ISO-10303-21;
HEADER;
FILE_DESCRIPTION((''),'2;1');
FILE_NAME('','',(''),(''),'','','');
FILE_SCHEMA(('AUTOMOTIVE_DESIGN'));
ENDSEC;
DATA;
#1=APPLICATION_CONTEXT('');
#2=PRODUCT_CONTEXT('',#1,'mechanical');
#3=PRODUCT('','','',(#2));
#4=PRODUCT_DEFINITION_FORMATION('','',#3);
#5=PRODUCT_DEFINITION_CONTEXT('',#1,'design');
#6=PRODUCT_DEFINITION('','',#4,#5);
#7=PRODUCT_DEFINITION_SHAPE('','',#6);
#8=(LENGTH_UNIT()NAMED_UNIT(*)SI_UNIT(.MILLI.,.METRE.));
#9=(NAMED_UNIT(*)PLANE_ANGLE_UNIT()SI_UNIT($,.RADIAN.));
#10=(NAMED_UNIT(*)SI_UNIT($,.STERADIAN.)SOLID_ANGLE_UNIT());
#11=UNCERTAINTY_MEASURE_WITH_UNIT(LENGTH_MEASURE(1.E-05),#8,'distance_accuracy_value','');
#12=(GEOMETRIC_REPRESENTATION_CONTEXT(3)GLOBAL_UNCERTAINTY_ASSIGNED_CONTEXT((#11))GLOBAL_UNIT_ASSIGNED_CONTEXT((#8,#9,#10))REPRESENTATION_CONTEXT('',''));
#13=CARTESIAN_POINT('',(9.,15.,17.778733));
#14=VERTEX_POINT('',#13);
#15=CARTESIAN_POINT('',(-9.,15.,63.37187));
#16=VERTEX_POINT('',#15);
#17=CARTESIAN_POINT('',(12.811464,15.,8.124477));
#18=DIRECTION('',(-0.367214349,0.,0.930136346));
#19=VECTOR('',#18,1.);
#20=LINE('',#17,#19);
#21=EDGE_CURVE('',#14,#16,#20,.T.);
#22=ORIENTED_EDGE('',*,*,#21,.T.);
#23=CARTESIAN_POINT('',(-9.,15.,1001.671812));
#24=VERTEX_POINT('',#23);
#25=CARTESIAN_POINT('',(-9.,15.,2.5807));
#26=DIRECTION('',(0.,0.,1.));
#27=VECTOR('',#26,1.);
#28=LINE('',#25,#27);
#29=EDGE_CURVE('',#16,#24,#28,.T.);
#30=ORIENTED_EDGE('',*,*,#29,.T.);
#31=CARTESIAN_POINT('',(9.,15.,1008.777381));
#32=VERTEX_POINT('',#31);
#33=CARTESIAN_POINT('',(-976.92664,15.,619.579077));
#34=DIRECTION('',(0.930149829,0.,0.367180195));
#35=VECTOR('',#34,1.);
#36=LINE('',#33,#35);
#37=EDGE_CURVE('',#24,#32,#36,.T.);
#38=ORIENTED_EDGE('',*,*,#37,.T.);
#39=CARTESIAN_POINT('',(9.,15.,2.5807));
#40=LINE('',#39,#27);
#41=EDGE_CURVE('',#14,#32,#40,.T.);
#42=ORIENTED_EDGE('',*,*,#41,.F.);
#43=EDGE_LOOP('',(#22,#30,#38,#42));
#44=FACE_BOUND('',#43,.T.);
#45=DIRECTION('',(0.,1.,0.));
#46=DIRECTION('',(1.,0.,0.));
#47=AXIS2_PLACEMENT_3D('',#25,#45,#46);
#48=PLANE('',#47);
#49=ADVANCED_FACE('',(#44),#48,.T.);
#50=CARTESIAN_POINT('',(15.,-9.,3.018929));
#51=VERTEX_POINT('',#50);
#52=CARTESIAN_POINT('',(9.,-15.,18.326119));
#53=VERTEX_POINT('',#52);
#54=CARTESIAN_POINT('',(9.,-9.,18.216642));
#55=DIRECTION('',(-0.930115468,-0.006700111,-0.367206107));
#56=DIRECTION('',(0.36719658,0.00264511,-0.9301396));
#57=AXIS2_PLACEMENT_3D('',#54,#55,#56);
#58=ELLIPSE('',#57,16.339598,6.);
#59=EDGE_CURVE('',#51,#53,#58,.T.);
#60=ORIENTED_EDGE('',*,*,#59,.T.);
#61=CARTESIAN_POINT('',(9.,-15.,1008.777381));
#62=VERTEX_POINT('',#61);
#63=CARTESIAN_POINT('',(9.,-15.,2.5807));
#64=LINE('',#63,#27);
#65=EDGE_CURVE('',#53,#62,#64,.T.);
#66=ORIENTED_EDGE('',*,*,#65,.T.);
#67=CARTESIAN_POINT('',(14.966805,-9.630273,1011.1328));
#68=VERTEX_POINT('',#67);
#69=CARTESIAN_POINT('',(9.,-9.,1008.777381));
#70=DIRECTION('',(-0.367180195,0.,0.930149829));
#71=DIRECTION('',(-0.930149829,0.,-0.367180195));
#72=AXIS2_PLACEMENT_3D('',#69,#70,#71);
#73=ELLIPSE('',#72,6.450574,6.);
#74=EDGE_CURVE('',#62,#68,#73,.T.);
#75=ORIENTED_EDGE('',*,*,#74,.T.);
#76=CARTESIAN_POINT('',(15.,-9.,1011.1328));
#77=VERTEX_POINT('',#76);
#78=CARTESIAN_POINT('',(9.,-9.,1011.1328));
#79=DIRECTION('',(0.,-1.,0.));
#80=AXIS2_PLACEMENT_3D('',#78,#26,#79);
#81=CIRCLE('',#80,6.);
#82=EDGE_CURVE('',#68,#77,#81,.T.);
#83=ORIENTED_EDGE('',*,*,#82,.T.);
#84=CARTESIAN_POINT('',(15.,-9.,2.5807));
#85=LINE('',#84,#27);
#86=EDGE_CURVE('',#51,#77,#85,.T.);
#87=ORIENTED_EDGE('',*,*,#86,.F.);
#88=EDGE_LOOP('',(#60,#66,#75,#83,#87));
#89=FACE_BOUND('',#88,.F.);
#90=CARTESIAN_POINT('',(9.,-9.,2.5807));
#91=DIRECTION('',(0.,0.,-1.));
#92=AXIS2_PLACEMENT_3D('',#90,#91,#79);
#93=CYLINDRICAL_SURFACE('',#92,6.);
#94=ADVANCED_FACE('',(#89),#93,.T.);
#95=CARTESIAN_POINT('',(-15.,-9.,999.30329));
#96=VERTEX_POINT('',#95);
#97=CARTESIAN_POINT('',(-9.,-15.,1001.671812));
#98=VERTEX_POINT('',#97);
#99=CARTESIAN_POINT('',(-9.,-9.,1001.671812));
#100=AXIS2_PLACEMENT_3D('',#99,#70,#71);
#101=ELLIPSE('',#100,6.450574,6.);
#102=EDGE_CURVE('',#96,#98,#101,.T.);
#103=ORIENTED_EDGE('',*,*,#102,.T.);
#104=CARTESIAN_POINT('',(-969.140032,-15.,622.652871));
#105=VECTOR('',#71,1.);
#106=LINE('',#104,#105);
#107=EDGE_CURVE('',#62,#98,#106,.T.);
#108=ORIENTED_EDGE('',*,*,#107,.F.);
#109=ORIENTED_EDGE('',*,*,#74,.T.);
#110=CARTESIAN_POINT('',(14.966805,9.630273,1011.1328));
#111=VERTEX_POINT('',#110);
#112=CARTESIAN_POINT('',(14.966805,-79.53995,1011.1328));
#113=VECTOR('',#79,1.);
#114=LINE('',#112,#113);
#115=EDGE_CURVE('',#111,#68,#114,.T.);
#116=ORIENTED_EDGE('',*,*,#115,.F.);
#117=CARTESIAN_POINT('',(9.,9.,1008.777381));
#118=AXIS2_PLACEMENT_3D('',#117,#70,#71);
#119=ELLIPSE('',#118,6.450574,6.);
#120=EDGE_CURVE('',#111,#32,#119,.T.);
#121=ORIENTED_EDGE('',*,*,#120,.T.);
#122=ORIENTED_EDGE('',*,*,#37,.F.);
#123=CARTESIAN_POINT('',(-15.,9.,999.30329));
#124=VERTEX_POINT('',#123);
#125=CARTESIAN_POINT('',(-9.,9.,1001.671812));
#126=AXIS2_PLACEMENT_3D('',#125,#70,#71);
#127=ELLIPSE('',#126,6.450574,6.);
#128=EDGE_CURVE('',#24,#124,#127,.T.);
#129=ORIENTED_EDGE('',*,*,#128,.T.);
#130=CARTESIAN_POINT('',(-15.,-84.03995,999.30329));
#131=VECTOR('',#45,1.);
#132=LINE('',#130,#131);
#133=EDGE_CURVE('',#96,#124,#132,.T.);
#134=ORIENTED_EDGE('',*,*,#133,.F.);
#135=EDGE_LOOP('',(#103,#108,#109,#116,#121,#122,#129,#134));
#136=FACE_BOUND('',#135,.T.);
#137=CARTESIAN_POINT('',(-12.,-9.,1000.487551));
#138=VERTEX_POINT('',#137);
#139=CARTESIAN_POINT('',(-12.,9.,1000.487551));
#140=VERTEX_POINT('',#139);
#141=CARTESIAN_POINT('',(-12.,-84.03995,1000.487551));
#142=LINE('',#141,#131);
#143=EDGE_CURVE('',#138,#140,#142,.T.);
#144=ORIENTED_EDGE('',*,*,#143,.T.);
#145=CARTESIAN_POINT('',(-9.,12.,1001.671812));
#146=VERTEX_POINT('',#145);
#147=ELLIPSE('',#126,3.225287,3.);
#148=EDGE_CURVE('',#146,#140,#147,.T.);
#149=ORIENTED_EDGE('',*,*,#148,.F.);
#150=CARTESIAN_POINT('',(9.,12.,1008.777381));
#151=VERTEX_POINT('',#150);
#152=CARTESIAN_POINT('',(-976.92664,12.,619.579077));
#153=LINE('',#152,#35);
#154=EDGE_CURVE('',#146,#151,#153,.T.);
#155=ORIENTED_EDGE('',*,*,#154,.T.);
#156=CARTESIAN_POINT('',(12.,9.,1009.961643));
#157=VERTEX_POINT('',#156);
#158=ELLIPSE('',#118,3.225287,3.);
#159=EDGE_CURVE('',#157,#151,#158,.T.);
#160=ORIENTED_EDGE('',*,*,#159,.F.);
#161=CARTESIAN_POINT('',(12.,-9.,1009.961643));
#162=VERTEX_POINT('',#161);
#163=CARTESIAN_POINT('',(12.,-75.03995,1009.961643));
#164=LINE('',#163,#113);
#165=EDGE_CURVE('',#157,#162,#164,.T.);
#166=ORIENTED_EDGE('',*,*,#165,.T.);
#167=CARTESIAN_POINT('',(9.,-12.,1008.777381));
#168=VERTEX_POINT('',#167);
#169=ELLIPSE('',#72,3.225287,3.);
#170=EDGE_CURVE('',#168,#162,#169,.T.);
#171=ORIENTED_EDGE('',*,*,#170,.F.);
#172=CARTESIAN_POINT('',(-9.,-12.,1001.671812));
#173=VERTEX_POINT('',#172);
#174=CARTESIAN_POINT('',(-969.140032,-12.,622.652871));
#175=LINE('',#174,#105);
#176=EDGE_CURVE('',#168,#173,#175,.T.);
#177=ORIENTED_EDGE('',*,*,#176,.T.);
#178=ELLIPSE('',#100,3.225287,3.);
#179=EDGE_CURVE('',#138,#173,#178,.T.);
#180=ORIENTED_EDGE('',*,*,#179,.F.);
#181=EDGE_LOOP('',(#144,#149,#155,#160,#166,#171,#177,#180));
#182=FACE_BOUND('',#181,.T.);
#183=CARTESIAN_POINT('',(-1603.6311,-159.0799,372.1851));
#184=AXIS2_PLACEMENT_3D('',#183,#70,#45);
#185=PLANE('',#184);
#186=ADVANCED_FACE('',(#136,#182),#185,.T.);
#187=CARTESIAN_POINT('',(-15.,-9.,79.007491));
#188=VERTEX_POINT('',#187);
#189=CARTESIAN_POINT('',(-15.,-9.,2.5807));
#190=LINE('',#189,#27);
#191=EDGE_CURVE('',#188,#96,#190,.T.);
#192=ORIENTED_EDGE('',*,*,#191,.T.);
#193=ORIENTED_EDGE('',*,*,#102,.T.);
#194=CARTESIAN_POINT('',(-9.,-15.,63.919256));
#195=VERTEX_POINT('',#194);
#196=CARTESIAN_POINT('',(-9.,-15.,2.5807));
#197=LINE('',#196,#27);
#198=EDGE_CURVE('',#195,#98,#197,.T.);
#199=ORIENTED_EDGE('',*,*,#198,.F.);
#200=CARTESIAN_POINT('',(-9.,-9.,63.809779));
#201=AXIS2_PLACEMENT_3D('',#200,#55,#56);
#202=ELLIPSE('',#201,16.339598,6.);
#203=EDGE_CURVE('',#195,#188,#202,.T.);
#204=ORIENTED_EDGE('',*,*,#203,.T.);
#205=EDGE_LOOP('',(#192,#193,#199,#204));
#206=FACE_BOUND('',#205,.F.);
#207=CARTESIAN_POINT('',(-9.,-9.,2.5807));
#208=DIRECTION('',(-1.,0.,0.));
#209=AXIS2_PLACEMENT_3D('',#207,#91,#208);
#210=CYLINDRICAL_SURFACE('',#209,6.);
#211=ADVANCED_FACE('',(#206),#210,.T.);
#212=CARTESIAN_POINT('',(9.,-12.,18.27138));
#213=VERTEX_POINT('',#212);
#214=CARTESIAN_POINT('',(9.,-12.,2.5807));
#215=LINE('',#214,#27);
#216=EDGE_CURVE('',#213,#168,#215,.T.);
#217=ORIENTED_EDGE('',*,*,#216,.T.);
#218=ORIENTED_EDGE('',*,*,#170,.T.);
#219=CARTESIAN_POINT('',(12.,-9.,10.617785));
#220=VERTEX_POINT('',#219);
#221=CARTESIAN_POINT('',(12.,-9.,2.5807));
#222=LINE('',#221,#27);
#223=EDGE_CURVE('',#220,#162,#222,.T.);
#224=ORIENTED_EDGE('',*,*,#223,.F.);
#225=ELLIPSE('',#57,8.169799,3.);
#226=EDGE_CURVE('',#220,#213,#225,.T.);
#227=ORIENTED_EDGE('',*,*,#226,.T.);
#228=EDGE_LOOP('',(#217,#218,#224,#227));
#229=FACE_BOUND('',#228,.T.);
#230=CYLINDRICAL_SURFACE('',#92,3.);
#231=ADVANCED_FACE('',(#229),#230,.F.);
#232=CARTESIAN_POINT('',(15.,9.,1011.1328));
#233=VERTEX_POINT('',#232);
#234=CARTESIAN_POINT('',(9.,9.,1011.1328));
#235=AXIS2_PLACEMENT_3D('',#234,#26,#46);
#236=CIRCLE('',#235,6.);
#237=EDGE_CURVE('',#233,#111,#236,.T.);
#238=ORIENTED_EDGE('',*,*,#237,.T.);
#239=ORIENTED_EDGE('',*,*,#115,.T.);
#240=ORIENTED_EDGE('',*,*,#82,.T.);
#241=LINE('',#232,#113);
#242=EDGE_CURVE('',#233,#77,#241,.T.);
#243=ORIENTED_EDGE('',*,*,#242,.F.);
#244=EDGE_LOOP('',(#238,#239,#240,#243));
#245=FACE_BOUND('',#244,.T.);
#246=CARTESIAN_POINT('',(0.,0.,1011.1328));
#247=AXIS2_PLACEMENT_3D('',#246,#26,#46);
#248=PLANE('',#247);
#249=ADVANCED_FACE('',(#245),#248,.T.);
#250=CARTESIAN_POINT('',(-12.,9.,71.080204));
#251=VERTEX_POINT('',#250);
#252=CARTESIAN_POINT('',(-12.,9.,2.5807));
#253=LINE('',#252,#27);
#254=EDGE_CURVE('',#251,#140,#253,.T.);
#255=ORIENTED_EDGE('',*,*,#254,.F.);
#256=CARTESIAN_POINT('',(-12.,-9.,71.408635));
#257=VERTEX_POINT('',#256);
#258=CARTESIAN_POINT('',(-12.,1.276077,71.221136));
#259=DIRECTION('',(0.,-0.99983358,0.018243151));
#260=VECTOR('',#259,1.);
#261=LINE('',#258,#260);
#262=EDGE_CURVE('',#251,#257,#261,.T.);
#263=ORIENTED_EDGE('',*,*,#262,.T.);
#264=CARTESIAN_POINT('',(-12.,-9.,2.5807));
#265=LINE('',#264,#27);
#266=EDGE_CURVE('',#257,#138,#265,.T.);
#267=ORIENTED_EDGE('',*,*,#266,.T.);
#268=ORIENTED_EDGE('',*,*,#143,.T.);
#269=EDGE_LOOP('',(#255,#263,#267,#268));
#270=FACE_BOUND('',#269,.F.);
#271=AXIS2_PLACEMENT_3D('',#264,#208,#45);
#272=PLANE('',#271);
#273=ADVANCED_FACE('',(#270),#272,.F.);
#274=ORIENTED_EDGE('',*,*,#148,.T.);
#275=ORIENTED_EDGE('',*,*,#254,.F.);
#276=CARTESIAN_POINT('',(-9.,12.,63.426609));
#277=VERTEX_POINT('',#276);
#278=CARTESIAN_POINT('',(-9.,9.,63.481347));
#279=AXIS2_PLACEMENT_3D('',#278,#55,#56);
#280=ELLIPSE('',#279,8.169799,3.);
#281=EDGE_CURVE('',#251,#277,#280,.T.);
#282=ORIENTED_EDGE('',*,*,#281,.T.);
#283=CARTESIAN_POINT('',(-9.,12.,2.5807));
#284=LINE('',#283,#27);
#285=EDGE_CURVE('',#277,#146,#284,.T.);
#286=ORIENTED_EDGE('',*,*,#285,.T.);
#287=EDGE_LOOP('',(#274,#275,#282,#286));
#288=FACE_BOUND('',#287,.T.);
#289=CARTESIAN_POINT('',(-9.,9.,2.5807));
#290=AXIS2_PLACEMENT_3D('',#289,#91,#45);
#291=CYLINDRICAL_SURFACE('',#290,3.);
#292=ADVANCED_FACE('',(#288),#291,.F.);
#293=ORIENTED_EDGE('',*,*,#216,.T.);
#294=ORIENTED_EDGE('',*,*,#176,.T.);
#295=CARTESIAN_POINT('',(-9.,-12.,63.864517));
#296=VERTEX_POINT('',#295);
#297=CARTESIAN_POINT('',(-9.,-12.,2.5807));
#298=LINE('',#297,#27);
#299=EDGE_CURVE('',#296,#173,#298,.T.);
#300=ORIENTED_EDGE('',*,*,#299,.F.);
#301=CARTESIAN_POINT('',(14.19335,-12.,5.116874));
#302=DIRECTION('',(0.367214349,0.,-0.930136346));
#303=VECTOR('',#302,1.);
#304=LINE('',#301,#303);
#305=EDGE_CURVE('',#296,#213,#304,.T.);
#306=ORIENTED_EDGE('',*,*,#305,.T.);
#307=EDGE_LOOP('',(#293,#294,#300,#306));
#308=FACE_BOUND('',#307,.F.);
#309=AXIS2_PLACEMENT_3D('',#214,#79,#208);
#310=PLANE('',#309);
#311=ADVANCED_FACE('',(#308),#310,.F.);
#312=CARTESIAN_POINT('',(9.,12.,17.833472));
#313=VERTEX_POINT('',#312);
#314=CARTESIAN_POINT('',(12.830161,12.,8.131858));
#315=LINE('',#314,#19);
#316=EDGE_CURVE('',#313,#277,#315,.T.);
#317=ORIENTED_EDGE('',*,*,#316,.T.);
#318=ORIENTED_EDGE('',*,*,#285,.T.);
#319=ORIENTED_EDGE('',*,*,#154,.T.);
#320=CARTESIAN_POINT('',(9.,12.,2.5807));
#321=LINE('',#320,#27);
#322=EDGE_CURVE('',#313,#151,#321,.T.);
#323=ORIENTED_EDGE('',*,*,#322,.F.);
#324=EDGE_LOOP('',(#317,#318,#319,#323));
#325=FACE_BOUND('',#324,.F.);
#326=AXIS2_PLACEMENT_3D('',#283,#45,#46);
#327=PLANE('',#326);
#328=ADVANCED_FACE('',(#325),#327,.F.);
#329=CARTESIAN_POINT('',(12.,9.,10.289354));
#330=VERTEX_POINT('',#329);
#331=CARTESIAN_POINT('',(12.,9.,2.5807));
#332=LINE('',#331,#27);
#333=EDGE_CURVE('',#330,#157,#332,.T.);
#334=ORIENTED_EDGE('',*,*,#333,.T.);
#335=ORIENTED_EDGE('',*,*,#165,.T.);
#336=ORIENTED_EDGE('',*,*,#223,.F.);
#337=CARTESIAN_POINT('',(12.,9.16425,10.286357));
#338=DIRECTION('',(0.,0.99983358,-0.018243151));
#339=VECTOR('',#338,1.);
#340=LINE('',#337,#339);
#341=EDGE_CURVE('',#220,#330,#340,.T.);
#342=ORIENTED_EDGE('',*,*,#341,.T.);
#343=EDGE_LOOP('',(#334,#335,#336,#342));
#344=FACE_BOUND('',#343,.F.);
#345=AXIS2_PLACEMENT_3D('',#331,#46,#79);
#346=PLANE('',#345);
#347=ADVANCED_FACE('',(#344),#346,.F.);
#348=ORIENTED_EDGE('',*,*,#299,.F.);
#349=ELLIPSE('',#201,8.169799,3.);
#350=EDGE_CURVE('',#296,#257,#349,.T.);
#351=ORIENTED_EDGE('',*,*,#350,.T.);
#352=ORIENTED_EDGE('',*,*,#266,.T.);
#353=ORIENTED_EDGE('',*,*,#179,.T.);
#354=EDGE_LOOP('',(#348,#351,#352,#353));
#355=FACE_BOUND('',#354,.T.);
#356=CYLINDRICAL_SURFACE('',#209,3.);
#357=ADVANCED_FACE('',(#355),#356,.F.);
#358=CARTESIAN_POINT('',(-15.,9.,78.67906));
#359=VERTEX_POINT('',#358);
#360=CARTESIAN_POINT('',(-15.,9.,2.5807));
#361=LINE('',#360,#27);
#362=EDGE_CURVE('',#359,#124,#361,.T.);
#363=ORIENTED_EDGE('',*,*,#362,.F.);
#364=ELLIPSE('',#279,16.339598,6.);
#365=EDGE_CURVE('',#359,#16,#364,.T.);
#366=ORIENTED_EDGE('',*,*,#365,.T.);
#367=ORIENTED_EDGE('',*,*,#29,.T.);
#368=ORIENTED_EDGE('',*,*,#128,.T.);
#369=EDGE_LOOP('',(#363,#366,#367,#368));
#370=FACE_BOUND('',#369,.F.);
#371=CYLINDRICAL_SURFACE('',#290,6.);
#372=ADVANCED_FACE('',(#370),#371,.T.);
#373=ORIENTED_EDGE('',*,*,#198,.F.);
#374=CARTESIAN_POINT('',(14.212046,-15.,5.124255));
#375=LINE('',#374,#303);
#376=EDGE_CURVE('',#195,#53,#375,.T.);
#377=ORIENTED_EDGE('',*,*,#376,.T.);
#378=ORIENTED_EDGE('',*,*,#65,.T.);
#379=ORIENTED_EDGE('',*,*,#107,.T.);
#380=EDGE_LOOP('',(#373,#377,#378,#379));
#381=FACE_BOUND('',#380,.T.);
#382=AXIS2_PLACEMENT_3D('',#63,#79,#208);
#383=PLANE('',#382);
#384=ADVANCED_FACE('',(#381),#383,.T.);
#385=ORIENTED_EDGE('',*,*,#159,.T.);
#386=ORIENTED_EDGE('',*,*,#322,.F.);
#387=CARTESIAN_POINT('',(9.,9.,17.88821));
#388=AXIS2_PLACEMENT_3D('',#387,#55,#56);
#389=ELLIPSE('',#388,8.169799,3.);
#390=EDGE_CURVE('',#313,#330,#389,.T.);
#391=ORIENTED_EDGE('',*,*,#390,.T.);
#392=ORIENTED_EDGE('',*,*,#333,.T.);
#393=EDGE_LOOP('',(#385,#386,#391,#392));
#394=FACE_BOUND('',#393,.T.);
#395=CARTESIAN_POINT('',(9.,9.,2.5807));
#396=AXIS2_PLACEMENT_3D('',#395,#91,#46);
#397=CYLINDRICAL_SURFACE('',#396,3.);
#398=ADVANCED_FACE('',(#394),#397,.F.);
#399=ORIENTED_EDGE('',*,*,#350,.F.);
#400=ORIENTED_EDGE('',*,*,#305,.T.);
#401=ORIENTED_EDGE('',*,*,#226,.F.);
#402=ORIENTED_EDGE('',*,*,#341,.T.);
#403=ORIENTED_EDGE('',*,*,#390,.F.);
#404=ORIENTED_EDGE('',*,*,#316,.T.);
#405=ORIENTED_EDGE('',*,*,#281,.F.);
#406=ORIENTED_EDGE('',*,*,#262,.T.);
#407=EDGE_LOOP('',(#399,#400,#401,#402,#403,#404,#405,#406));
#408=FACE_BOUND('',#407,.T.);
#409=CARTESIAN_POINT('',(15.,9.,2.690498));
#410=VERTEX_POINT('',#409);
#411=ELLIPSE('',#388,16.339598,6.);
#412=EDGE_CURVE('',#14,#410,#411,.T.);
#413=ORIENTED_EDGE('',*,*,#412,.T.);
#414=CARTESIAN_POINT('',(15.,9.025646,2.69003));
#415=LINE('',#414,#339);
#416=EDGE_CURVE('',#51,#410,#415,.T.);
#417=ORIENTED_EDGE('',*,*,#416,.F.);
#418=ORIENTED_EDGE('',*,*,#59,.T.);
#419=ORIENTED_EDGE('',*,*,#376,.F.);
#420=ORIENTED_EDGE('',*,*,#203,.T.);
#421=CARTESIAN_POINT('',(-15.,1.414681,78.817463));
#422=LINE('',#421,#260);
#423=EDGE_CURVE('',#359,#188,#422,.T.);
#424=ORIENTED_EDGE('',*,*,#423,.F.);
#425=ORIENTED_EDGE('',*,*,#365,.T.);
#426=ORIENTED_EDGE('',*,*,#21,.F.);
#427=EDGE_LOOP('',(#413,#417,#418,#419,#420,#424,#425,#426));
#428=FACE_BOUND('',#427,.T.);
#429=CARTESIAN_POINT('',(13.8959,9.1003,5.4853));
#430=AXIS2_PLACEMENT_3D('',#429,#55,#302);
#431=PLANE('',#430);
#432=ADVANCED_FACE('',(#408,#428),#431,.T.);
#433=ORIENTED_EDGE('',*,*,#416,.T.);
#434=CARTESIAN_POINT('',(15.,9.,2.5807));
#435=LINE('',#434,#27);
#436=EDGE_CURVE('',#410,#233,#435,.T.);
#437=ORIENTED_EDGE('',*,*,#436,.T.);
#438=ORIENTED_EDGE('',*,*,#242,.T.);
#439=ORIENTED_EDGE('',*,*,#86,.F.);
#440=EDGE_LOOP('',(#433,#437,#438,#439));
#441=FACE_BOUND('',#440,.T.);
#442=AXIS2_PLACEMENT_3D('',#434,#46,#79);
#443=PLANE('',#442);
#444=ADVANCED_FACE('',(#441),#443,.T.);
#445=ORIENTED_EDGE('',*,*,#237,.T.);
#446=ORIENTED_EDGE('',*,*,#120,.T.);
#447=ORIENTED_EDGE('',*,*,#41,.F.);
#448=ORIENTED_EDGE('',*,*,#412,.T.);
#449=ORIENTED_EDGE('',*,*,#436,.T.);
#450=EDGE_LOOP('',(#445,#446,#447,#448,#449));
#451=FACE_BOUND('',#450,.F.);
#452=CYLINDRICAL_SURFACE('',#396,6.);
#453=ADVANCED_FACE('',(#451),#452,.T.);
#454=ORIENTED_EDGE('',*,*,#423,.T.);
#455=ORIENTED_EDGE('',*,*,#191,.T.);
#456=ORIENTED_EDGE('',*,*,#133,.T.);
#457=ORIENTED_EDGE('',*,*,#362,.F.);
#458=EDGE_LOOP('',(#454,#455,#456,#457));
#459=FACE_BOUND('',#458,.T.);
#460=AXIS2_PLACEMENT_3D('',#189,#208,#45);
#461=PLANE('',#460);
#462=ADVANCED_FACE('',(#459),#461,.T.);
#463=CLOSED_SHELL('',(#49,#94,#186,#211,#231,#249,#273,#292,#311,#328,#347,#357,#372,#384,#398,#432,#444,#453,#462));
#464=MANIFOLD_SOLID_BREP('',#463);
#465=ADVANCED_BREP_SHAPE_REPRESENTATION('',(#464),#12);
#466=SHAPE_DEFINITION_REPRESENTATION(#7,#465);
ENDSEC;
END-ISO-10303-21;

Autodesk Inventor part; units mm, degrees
ref_plane "Start Plane" through (0, 0, 2.5807) normal (0, 0, 1) x (1, 0, 0)
ref_plane "End Plane" through (0, 0, 1011.1328) normal (0, 0, 1) x (1, 0, 0)
sketch "Sketch" plane through (0, 0, 0) normal (0, 0, 1) x (1, 0, 0)
  line L0 (-15, -9) -> (-15, 9)
  line L1 (-9, 15) -> (9, 15)
  line L2 (15, 9) -> (15, -9)
  line L3 (9, -15) -> (-9, -15)
  arc A0 (-15, -9) -> (-9, -15) centre (-9, -9) ccw
  arc A1 (-9, 15) -> (-15, 9) centre (-9, 9) ccw
  arc A2 (15, 9) -> (9, 15) centre (9, 9) ccw
  arc A3 (9, -15) -> (15, -9) centre (9, -9) ccw
  arc A4 (-9, 12) -> (-12, 9) centre (-9, 9) ccw
  line L4 (-9, 12) -> (9, 12)
  arc A5 (12, 9) -> (9, 12) centre (9, 9) ccw
  line L5 (12, 9) -> (12, -9)
  arc A6 (9, -12) -> (12, -9) centre (9, -9) ccw
  line L6 (9, -12) -> (-9, -12)
  arc A7 (-12, -9) -> (-9, -12) centre (-9, -9) ccw
  line L7 (-12, -9) -> (-12, 9)
  line L8 (0, 22.7397) -> (0, -22.7397) construction
  line L9 (-22.7397, 0) -> (22.7397, 0) construction
  dimension "d7" = 6
  dimension "d10" = 30
  dimension "d11" = 30
  dimension "d12" = 3
  dimension "d15" = 15
  dimension "d16" = 15
extrude "Body" add sketch "Sketch" along normal up to surface (1008.5521 mm away) from surface at 2.5807
sketch "Sketch3" plane through (0, 0, 0) normal (0, 0, 1) x (1, 0, 0)
  line L0 (0, 0) -> (10, 0)
ref_plane "Work Plane3" through (0, 0, 0) normal (0, -1, 0) x (1, 0, 0)
ref_plane "Work Plane4" through (-1603.6311, -159.0799, 372.1851) normal (-0.3672, 0, 0.9302) x (0.9302, 0, 0.3672)
split "Split1" plane through (-1603.6311, -159.0799, 372.1851) removes the side toward (-0.3672, 0, 0.9302)
ref_plane "Work Plane5" through (13.8959, 9.1003, 5.4853) normal (-0.9301, -0.0067, -0.3672) x (-0.3671, -0.0098, 0.9301)
split "Split2" plane through (13.8959, 9.1003, 5.4853) removes the side toward (-0.9301, -0.0067, -0.3672)
sketch "Sketch4" plane through (0, 0, 0) normal (0, -1, 0) x (1, 0, 0)
  line L0 (-2, 2.5807) -> (12, 2.5807) projected
  line L1 (-2, 1011.1328) -> (12, 1011.1328) projected
  dimension "d18" = 1008.5521
equation "\"d7\" = G_IR"
equation "\"d10\" = G_H"
equation "\"d11\" = G_W"
equation "\"d12\" = G_T"
equation "\"d15\" = 0.5 * d10"
equation "\"d16\" = 0.5 * d11"
equation "\"d3\" = G_L"
equation "\"G_W\" = 30"
equation "\"G_H\" = 30"
equation "\"G_T\" = 3"
equation "\"G_IR\" = 6"
equation "\"G_L\" = 1008.44301"
equation "\"G_OFFSET_START\" = -2.58071"
equation "\"G_OFFSET_END\" = -10.2052"
equation "\"d13\" = -G_OFFSET_START"
equation "\"d14\" = G_OFFSET_END + B_L"
equation "\"B_L\" = 1021.338"
properties part number "DIN EN 10219-2 - 30 x 30 x 3  - 1008.44" material "Steel, Mild"
